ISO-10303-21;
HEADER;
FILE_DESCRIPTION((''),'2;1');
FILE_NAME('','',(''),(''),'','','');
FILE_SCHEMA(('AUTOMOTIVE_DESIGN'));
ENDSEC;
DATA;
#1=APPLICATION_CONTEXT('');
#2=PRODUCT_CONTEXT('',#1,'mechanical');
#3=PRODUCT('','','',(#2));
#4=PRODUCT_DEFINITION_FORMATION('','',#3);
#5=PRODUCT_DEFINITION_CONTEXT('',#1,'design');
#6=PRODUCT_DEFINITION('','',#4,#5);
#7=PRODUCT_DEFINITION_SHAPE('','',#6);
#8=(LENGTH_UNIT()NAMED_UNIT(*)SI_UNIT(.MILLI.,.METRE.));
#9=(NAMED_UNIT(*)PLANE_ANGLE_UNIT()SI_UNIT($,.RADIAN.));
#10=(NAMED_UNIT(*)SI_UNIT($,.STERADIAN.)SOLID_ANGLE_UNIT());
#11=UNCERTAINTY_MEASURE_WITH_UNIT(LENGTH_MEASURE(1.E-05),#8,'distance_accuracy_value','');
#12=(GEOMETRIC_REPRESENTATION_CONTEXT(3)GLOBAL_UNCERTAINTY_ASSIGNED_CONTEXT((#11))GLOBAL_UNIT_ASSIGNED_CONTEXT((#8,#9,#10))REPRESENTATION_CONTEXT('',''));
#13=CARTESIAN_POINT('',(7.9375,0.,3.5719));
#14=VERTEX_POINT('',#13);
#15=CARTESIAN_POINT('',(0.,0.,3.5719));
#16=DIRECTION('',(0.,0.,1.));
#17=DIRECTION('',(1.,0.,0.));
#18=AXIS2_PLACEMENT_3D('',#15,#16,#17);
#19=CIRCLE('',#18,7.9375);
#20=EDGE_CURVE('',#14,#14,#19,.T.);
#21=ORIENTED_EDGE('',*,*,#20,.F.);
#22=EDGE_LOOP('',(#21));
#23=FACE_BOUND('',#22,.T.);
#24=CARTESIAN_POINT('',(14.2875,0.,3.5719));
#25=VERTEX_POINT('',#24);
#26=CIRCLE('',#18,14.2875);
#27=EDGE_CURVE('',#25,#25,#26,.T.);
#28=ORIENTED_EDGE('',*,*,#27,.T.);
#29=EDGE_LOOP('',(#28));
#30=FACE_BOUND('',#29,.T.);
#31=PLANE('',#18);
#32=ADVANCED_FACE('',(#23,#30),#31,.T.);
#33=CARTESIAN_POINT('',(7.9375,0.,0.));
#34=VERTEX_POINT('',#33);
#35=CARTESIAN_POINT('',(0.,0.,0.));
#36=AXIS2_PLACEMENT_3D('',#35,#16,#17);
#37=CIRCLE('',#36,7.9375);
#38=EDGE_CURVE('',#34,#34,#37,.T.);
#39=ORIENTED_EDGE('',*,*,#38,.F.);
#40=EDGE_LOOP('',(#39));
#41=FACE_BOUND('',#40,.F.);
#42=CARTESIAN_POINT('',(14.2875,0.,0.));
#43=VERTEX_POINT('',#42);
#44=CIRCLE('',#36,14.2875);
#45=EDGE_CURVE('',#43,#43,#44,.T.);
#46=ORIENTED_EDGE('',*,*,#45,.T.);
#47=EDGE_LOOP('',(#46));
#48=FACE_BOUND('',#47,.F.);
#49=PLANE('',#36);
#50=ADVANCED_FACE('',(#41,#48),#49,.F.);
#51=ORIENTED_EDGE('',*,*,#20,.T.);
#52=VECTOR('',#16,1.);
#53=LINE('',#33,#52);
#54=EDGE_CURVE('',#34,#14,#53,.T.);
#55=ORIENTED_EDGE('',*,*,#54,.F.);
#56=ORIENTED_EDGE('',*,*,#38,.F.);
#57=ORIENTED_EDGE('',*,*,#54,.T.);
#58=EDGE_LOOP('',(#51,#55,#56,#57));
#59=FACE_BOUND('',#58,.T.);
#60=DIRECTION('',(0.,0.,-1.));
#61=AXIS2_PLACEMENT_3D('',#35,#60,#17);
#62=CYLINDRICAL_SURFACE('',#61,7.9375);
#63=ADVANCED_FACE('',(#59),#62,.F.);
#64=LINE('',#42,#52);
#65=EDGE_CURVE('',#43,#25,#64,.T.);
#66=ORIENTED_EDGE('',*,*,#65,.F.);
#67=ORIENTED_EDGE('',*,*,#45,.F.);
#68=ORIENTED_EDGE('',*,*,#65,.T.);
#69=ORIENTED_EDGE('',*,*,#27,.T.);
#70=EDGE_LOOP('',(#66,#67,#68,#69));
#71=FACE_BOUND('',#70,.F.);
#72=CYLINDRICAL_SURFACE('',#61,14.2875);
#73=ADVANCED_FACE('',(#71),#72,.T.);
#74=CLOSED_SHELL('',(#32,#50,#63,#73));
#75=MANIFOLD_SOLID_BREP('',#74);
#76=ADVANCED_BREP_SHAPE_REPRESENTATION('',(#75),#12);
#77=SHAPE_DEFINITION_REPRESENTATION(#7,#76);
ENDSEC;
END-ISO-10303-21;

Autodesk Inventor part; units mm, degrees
ref_plane "YZ Plane" through (0, 0, 0) normal (1, 0, 0) x (0, 1, 0)
ref_plane "XZ Plane" through (0, 0, 0) normal (0, 1, 0) x (-1, 0, 0)
ref_plane "XY Plane" through (0, 0, 0) normal (0, 0, 1) x (1, 0, 0)
sketch "Sketch1" plane through (0, 0, 0) normal (0, 0, 1) x (1, 0, 0)
  circle A0 centre (0, 0) radius 7.9375
  circle A1 centre (0, 0) radius 14.2875
  dimension "d0" = 15.875
  dimension "d2" = 28.575
extrude "Extrusion1" add sketch "Sketch1" along normal blind 3.5719
properties part number "Thrust Bearing Assembly Bushing 1.000 Shaft Diameter 21-64 Long"
